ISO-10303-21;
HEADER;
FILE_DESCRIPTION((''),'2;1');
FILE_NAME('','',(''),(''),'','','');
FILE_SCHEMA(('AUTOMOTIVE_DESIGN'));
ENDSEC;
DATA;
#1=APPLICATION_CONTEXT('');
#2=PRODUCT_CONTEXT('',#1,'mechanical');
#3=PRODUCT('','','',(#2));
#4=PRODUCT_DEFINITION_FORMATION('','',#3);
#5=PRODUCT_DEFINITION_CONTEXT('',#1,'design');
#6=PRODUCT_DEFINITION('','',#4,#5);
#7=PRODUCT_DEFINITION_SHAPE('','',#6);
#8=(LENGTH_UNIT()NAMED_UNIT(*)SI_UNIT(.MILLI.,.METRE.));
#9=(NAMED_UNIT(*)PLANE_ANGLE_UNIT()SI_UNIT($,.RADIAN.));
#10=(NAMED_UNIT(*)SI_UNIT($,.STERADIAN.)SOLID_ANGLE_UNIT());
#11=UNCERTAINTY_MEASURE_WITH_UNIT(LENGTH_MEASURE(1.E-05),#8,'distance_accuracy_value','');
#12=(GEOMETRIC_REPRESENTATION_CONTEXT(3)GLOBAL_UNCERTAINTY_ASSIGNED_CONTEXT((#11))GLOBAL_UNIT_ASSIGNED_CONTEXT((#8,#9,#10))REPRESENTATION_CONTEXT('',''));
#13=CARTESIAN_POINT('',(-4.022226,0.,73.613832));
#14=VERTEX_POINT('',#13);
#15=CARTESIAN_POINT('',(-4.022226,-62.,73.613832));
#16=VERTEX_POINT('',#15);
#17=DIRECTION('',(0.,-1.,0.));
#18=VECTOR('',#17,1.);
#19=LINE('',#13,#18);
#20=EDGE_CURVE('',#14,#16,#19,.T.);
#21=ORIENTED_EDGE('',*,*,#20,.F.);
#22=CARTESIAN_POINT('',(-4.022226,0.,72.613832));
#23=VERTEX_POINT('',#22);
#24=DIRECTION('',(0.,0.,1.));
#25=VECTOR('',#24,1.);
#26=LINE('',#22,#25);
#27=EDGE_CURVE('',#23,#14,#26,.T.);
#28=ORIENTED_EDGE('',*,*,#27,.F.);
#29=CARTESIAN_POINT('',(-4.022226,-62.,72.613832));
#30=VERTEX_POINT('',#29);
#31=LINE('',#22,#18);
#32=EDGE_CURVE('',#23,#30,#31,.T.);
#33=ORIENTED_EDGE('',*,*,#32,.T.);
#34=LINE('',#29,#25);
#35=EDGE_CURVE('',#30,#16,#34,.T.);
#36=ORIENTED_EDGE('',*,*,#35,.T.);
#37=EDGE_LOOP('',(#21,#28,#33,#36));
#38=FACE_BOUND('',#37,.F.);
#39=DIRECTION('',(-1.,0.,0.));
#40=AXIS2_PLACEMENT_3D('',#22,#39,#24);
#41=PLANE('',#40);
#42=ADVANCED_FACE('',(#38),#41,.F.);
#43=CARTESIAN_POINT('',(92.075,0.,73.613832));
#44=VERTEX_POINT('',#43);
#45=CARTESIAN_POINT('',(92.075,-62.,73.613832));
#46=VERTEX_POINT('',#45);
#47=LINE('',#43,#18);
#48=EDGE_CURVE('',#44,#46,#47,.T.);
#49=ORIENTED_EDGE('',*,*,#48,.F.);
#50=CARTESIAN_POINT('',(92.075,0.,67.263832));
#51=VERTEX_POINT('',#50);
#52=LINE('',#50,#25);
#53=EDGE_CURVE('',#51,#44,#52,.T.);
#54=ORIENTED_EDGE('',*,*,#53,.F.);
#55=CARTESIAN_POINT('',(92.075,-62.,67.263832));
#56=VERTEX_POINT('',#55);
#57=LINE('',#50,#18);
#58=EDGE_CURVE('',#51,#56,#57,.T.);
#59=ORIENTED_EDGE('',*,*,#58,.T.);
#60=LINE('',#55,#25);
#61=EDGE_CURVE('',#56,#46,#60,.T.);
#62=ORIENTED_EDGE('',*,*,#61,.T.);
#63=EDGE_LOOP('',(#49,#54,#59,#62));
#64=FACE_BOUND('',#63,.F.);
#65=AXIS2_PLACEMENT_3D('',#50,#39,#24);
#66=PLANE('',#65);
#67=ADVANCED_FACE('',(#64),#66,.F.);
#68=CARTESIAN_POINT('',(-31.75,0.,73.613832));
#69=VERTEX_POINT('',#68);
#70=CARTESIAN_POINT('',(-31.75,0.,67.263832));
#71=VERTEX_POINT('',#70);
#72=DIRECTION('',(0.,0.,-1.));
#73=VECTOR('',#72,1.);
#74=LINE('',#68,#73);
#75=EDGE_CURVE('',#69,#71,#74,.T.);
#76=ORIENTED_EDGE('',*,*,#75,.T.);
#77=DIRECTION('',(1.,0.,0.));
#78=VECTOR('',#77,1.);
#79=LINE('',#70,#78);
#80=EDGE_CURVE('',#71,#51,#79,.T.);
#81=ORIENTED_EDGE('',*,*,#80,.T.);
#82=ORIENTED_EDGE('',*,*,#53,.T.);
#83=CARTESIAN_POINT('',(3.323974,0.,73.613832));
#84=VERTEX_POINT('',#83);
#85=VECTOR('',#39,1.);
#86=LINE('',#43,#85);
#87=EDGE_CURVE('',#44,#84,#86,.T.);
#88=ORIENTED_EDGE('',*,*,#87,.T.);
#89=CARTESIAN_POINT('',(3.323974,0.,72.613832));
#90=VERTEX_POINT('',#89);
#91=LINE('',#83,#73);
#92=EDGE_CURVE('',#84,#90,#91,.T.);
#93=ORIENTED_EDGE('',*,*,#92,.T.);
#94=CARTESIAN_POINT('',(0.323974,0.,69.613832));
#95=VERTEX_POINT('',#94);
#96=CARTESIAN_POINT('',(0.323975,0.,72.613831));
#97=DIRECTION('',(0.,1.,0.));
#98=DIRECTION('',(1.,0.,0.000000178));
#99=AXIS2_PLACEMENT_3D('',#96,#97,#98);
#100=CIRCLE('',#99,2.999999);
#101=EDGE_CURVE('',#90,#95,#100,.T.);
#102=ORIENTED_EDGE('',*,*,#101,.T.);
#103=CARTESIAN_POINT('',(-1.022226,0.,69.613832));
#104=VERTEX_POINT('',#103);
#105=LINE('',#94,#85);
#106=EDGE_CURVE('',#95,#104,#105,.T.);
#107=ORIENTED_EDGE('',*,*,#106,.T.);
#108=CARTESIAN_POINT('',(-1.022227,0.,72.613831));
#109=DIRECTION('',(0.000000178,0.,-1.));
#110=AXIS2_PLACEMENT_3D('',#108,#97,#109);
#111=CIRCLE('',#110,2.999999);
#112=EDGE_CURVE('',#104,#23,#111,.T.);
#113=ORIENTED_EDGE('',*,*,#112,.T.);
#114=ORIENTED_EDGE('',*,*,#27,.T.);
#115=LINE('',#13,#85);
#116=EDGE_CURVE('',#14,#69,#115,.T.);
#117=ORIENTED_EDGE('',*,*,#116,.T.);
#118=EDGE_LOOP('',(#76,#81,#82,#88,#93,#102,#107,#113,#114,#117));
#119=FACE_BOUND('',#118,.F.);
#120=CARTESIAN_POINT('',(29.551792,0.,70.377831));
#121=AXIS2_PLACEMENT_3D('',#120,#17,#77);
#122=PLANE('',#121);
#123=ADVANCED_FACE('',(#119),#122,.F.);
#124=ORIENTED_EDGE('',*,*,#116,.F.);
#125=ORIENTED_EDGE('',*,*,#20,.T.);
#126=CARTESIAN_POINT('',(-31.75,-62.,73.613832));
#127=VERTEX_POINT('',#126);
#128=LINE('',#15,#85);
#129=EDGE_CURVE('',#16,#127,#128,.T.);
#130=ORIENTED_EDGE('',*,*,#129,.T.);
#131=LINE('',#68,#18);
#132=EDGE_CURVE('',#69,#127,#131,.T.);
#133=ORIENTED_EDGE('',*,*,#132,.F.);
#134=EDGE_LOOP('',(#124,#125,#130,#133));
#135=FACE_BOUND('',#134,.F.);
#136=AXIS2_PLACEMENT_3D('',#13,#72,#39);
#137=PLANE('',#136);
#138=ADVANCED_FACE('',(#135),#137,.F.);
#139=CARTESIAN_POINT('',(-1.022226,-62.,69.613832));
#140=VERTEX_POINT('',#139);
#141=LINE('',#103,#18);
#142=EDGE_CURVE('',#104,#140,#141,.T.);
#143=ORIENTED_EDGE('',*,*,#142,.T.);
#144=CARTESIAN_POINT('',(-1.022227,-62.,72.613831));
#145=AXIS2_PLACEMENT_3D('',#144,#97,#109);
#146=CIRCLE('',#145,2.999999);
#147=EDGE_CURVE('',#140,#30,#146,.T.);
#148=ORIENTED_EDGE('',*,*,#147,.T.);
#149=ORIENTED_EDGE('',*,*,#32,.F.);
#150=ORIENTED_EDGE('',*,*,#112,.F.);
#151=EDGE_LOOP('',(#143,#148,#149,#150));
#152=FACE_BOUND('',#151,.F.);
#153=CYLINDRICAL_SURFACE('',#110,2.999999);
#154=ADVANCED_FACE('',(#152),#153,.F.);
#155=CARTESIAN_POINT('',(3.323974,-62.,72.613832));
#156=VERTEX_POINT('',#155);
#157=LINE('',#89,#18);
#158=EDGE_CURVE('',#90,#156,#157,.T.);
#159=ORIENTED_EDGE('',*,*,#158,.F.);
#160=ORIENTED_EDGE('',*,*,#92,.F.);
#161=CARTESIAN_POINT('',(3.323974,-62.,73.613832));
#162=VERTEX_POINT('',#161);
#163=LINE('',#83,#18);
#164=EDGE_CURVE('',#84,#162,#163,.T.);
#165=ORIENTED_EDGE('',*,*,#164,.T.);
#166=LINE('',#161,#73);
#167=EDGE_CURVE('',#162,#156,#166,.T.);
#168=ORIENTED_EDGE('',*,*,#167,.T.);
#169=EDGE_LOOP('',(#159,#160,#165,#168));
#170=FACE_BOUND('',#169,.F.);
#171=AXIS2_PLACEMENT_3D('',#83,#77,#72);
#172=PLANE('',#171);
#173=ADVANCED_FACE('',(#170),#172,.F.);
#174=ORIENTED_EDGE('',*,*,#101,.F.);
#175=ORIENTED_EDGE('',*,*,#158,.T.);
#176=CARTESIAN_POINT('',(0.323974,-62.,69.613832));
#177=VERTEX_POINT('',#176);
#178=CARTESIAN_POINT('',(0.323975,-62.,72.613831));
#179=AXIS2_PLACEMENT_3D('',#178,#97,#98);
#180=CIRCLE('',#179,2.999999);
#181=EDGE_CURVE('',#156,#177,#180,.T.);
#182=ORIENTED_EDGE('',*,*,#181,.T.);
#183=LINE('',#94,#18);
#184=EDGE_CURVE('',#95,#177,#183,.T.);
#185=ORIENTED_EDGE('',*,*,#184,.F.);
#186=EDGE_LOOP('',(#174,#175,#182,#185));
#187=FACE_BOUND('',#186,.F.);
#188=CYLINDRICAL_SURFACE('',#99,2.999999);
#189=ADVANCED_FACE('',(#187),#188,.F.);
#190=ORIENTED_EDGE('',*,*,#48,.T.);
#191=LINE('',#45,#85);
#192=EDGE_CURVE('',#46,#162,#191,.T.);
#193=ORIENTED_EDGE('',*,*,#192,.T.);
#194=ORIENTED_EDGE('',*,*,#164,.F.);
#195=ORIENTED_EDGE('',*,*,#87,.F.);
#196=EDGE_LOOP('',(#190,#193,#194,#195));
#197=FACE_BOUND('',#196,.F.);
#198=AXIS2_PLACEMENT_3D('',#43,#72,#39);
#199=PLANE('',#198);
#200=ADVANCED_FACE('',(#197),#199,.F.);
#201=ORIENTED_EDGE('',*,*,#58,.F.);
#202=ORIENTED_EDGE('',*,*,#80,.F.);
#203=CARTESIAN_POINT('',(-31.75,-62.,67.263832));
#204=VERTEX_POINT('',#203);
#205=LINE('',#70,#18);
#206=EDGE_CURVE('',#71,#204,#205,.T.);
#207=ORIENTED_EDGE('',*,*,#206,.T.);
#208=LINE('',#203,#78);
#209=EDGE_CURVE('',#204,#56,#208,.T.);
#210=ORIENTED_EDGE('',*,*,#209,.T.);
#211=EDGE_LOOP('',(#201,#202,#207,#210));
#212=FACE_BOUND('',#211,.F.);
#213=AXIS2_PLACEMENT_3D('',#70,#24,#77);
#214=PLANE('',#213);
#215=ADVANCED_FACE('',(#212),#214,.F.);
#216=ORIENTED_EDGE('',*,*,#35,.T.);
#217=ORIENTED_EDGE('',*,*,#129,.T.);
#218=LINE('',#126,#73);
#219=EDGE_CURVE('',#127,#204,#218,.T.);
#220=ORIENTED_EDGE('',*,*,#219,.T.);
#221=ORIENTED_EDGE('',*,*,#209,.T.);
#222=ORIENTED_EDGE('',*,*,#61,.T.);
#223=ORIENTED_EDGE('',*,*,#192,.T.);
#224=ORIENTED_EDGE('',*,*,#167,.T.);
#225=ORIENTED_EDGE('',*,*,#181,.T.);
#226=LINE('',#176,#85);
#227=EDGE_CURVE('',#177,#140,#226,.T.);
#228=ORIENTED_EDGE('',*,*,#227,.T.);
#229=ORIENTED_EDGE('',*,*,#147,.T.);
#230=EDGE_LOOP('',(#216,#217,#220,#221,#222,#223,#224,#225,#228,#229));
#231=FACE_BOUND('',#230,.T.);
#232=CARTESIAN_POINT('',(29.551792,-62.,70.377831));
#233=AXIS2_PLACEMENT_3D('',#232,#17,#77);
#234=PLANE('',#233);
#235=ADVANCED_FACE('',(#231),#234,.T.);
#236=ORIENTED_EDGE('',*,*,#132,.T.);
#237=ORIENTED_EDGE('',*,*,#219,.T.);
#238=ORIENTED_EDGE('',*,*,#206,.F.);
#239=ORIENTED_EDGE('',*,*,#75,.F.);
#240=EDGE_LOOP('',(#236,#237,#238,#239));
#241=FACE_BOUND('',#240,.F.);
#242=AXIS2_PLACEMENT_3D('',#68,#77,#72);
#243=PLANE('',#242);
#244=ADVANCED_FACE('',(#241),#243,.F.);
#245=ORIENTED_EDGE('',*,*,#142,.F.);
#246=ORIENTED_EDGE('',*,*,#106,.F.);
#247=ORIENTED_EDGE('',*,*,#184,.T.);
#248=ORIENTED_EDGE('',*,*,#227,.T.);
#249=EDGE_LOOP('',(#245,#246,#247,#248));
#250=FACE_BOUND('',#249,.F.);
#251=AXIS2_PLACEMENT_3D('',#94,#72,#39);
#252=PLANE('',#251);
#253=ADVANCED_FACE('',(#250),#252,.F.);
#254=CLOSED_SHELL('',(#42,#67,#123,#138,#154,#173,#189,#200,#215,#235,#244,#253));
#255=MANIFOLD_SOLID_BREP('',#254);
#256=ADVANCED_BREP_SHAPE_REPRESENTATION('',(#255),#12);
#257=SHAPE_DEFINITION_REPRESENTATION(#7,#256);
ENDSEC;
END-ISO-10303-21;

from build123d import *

# Parameters (mm, degrees)
F1_DEPTH = 62


with BuildPart() as f1:
    # F0 (on Front) → F1 (new body)
    with BuildSketch(Plane.XZ):
        with BuildLine():
            Line((-4.022226, 73.613832), (-31.75, 73.613832))
            Line((-31.75, 73.613832), (-31.75, 67.263832))
            Line((-31.75, 67.263832), (92.075, 67.263832))
            Line((92.075, 67.263832), (92.075, 73.613832))
            Line((92.075, 73.613832), (3.323974, 73.613832))
            Line((3.323974, 73.613832), (3.323974, 72.613832))
            ThreePointArc((3.323974, 72.613832), (2.445294, 70.492511), (0.323974, 69.613832))
            Line((0.323974, 69.613832), (-1.022226, 69.613832))
            ThreePointArc((-1.022226, 69.613832), (-3.143546, 70.492511), (-4.022226, 72.613832))
            Line((-4.022226, 72.613832), (-4.022226, 73.613832))
        make_face()
    extrude(amount=F1_DEPTH)


solid = f1.part
